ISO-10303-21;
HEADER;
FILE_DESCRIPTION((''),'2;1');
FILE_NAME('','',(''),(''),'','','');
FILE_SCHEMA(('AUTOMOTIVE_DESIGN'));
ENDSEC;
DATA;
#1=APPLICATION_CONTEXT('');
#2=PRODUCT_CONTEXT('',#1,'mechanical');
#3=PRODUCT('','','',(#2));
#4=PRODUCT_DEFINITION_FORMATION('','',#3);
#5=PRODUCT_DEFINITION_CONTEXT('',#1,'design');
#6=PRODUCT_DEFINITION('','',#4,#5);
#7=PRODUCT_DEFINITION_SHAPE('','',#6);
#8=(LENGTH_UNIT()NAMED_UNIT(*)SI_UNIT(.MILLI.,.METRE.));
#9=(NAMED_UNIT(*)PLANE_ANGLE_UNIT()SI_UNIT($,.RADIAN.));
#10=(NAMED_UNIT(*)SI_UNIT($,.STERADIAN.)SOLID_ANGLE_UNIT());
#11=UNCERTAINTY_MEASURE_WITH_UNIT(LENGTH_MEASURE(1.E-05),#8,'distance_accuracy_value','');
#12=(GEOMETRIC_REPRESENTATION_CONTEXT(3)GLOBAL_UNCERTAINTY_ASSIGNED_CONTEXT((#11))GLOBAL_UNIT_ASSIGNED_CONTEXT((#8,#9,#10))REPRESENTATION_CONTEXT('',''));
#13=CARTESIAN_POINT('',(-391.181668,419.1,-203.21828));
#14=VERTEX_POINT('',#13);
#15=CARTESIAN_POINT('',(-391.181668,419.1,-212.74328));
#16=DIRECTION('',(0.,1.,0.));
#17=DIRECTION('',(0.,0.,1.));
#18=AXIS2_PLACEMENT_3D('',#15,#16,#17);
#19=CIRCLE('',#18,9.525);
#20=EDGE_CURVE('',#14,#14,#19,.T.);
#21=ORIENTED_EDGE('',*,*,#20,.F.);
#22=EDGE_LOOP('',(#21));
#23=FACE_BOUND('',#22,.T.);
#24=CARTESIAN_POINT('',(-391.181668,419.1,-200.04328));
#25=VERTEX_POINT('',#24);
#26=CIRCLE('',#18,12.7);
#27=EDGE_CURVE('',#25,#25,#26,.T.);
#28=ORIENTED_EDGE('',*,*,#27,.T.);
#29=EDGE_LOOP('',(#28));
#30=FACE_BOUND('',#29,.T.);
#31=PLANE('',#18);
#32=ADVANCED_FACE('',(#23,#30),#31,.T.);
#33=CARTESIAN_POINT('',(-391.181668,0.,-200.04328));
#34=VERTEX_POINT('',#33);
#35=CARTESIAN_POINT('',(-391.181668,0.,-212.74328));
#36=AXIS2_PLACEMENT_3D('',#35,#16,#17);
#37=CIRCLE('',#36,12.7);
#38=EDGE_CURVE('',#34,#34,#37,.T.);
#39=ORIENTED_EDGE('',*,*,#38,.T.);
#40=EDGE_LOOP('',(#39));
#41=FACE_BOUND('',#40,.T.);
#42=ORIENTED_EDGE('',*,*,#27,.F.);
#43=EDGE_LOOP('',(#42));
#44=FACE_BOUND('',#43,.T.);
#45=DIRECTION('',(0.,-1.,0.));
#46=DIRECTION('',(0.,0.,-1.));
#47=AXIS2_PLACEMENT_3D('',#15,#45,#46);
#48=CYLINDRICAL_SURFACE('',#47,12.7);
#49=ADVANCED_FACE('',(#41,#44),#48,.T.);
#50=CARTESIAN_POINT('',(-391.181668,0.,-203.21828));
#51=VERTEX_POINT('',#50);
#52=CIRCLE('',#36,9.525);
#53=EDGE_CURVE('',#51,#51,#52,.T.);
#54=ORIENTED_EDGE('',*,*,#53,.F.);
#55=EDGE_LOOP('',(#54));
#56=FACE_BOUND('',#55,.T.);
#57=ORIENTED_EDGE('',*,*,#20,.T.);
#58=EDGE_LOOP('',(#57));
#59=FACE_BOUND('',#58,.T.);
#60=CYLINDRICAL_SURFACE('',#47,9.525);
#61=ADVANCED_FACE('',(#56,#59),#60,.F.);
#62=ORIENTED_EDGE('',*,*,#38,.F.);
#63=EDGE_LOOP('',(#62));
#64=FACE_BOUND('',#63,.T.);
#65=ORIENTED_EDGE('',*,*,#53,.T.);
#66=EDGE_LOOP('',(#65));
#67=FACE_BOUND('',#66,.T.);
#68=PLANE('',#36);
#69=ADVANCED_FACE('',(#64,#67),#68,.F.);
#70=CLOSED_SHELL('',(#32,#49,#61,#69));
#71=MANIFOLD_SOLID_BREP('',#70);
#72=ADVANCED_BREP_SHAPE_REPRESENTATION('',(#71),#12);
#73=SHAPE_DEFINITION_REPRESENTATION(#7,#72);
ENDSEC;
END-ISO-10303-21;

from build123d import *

# Parameters (mm, degrees)
SKETCH1_R           = 12.7
SKETCH1_R_2         = 9.525
BOSS_EXTRUDE2_DEPTH = 419.1


with BuildPart() as part:
    # Sketch1 → Boss-Extrude2 (new body)
    with BuildSketch(Plane(origin=(0, 0, 0), x_dir=(1, 0, 0), z_dir=(0, 1, 0))):
        with Locations((-391.181668083, 212.743279788)):
            Circle(SKETCH1_R)
        with Locations((-391.181668083, 212.743279788)):
            Circle(SKETCH1_R_2, mode=Mode.SUBTRACT)
    extrude(amount=BOSS_EXTRUDE2_DEPTH)


solid = part.part
